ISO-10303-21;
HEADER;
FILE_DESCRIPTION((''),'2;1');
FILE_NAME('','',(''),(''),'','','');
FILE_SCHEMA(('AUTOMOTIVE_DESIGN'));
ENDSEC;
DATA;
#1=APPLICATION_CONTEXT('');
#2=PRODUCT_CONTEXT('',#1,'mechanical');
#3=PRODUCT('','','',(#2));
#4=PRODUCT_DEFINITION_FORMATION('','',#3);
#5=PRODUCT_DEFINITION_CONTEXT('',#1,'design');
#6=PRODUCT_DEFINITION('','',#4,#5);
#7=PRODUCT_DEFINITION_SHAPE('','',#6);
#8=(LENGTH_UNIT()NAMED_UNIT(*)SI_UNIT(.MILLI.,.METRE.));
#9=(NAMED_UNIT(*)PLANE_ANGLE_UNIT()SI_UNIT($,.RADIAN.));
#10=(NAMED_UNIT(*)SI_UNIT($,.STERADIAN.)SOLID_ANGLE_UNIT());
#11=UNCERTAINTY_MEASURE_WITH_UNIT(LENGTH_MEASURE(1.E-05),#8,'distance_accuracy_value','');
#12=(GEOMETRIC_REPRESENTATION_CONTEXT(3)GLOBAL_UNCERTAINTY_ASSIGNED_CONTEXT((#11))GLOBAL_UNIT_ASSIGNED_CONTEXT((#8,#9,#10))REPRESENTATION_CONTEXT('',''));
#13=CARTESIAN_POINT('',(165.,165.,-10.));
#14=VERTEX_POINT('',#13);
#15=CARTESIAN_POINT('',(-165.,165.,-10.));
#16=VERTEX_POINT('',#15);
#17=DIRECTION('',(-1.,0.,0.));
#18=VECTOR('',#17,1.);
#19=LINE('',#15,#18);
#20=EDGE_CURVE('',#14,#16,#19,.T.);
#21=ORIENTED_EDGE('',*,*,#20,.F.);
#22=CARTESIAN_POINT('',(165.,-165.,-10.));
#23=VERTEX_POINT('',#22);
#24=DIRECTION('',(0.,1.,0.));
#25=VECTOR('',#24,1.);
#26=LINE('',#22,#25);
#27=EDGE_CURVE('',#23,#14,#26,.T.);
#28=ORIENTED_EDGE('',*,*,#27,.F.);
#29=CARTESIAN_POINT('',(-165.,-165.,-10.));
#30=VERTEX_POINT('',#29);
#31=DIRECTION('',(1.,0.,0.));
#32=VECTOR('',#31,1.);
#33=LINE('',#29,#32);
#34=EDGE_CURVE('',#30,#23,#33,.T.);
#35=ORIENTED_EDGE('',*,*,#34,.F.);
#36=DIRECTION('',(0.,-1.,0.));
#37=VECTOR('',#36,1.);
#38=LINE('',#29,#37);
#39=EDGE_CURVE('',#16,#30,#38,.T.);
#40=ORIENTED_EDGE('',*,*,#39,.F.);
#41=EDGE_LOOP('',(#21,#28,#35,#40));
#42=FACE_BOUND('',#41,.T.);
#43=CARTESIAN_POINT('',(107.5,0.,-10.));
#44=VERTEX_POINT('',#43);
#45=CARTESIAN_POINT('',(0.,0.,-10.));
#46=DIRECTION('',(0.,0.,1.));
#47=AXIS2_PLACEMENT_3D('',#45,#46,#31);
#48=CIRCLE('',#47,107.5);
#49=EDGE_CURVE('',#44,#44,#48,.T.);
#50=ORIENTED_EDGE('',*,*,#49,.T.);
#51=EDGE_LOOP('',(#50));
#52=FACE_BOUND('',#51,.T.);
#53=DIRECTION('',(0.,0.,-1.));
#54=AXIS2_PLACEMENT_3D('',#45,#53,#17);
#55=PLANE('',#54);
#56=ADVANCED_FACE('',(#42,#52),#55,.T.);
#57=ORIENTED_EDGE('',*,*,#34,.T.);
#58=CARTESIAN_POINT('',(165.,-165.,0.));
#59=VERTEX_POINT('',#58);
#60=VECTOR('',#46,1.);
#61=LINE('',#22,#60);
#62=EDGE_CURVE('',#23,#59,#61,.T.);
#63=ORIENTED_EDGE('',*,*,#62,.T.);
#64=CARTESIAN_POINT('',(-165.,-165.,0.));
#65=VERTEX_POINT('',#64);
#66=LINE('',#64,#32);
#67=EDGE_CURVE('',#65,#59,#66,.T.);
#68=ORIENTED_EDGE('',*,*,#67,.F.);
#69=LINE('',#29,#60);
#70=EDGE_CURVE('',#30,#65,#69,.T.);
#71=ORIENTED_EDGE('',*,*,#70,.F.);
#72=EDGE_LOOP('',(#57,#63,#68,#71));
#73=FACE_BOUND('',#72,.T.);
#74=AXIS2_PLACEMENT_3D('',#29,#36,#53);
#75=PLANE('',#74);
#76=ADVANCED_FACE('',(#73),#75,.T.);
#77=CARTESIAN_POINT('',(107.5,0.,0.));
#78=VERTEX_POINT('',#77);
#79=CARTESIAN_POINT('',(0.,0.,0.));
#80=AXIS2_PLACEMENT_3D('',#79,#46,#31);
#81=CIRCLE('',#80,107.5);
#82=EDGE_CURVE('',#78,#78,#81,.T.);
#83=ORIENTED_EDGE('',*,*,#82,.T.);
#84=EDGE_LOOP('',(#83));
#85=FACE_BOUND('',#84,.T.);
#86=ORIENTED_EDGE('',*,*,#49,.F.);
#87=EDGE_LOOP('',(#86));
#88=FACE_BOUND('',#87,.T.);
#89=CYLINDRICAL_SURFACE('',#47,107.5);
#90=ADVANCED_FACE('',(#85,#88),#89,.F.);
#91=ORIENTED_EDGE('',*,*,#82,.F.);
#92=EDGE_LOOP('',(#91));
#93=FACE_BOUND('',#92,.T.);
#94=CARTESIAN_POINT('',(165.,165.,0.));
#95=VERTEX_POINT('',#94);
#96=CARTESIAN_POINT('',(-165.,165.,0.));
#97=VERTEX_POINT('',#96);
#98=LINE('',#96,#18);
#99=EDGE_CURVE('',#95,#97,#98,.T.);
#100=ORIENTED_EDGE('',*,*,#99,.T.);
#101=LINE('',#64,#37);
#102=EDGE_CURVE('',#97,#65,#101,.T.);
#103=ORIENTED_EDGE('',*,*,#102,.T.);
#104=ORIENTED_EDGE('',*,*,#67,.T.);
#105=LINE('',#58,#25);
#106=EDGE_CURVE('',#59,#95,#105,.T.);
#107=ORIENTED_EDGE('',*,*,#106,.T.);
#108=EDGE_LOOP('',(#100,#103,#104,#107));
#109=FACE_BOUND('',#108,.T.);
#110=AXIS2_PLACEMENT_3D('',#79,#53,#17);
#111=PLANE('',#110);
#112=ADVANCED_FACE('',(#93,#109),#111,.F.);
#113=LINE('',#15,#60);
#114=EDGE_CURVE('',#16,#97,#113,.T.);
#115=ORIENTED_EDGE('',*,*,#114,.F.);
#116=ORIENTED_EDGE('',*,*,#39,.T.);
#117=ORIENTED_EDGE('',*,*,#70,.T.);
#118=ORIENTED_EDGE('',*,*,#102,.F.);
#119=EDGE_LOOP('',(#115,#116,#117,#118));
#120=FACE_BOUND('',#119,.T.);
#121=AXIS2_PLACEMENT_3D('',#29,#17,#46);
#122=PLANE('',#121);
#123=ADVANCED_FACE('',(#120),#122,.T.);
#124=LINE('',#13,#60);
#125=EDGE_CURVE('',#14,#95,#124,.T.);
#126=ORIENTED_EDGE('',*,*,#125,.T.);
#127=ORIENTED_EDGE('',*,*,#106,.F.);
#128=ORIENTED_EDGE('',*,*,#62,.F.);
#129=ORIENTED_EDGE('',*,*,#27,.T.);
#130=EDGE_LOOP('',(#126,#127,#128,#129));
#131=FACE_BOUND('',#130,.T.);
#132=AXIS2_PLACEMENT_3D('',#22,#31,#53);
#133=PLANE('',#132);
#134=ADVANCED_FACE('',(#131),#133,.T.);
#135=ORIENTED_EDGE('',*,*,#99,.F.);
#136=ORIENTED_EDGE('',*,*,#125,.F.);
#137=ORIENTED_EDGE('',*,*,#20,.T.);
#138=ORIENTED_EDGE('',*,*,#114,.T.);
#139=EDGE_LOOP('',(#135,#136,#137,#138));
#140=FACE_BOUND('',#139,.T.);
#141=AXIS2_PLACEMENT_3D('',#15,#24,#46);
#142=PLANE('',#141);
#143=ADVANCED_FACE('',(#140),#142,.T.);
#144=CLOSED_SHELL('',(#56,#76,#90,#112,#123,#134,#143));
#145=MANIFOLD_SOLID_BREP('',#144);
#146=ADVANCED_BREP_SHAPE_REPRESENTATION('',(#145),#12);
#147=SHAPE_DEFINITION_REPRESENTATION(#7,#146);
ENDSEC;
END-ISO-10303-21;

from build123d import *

# Parameters (mm, degrees)
SKETCH1_W           = 330
SKETCH1_H           = 330
BOSS_EXTRUDE1_DEPTH = 10
SKETCH2_R           = 107.5
CUT_EXTRUDE1_DEPTH  = 10


with BuildPart() as part:
    # Sketch1 → Boss-Extrude1 (new body)
    with BuildSketch(Plane.XY):
        Rectangle(SKETCH1_W, SKETCH1_H)
    extrude(amount=-BOSS_EXTRUDE1_DEPTH)

    # Sketch2 → Cut-Extrude1 (cut)
    with BuildSketch(Plane.XY):
        Circle(SKETCH2_R)
    extrude(amount=-CUT_EXTRUDE1_DEPTH, mode=Mode.SUBTRACT)


solid = part.part
